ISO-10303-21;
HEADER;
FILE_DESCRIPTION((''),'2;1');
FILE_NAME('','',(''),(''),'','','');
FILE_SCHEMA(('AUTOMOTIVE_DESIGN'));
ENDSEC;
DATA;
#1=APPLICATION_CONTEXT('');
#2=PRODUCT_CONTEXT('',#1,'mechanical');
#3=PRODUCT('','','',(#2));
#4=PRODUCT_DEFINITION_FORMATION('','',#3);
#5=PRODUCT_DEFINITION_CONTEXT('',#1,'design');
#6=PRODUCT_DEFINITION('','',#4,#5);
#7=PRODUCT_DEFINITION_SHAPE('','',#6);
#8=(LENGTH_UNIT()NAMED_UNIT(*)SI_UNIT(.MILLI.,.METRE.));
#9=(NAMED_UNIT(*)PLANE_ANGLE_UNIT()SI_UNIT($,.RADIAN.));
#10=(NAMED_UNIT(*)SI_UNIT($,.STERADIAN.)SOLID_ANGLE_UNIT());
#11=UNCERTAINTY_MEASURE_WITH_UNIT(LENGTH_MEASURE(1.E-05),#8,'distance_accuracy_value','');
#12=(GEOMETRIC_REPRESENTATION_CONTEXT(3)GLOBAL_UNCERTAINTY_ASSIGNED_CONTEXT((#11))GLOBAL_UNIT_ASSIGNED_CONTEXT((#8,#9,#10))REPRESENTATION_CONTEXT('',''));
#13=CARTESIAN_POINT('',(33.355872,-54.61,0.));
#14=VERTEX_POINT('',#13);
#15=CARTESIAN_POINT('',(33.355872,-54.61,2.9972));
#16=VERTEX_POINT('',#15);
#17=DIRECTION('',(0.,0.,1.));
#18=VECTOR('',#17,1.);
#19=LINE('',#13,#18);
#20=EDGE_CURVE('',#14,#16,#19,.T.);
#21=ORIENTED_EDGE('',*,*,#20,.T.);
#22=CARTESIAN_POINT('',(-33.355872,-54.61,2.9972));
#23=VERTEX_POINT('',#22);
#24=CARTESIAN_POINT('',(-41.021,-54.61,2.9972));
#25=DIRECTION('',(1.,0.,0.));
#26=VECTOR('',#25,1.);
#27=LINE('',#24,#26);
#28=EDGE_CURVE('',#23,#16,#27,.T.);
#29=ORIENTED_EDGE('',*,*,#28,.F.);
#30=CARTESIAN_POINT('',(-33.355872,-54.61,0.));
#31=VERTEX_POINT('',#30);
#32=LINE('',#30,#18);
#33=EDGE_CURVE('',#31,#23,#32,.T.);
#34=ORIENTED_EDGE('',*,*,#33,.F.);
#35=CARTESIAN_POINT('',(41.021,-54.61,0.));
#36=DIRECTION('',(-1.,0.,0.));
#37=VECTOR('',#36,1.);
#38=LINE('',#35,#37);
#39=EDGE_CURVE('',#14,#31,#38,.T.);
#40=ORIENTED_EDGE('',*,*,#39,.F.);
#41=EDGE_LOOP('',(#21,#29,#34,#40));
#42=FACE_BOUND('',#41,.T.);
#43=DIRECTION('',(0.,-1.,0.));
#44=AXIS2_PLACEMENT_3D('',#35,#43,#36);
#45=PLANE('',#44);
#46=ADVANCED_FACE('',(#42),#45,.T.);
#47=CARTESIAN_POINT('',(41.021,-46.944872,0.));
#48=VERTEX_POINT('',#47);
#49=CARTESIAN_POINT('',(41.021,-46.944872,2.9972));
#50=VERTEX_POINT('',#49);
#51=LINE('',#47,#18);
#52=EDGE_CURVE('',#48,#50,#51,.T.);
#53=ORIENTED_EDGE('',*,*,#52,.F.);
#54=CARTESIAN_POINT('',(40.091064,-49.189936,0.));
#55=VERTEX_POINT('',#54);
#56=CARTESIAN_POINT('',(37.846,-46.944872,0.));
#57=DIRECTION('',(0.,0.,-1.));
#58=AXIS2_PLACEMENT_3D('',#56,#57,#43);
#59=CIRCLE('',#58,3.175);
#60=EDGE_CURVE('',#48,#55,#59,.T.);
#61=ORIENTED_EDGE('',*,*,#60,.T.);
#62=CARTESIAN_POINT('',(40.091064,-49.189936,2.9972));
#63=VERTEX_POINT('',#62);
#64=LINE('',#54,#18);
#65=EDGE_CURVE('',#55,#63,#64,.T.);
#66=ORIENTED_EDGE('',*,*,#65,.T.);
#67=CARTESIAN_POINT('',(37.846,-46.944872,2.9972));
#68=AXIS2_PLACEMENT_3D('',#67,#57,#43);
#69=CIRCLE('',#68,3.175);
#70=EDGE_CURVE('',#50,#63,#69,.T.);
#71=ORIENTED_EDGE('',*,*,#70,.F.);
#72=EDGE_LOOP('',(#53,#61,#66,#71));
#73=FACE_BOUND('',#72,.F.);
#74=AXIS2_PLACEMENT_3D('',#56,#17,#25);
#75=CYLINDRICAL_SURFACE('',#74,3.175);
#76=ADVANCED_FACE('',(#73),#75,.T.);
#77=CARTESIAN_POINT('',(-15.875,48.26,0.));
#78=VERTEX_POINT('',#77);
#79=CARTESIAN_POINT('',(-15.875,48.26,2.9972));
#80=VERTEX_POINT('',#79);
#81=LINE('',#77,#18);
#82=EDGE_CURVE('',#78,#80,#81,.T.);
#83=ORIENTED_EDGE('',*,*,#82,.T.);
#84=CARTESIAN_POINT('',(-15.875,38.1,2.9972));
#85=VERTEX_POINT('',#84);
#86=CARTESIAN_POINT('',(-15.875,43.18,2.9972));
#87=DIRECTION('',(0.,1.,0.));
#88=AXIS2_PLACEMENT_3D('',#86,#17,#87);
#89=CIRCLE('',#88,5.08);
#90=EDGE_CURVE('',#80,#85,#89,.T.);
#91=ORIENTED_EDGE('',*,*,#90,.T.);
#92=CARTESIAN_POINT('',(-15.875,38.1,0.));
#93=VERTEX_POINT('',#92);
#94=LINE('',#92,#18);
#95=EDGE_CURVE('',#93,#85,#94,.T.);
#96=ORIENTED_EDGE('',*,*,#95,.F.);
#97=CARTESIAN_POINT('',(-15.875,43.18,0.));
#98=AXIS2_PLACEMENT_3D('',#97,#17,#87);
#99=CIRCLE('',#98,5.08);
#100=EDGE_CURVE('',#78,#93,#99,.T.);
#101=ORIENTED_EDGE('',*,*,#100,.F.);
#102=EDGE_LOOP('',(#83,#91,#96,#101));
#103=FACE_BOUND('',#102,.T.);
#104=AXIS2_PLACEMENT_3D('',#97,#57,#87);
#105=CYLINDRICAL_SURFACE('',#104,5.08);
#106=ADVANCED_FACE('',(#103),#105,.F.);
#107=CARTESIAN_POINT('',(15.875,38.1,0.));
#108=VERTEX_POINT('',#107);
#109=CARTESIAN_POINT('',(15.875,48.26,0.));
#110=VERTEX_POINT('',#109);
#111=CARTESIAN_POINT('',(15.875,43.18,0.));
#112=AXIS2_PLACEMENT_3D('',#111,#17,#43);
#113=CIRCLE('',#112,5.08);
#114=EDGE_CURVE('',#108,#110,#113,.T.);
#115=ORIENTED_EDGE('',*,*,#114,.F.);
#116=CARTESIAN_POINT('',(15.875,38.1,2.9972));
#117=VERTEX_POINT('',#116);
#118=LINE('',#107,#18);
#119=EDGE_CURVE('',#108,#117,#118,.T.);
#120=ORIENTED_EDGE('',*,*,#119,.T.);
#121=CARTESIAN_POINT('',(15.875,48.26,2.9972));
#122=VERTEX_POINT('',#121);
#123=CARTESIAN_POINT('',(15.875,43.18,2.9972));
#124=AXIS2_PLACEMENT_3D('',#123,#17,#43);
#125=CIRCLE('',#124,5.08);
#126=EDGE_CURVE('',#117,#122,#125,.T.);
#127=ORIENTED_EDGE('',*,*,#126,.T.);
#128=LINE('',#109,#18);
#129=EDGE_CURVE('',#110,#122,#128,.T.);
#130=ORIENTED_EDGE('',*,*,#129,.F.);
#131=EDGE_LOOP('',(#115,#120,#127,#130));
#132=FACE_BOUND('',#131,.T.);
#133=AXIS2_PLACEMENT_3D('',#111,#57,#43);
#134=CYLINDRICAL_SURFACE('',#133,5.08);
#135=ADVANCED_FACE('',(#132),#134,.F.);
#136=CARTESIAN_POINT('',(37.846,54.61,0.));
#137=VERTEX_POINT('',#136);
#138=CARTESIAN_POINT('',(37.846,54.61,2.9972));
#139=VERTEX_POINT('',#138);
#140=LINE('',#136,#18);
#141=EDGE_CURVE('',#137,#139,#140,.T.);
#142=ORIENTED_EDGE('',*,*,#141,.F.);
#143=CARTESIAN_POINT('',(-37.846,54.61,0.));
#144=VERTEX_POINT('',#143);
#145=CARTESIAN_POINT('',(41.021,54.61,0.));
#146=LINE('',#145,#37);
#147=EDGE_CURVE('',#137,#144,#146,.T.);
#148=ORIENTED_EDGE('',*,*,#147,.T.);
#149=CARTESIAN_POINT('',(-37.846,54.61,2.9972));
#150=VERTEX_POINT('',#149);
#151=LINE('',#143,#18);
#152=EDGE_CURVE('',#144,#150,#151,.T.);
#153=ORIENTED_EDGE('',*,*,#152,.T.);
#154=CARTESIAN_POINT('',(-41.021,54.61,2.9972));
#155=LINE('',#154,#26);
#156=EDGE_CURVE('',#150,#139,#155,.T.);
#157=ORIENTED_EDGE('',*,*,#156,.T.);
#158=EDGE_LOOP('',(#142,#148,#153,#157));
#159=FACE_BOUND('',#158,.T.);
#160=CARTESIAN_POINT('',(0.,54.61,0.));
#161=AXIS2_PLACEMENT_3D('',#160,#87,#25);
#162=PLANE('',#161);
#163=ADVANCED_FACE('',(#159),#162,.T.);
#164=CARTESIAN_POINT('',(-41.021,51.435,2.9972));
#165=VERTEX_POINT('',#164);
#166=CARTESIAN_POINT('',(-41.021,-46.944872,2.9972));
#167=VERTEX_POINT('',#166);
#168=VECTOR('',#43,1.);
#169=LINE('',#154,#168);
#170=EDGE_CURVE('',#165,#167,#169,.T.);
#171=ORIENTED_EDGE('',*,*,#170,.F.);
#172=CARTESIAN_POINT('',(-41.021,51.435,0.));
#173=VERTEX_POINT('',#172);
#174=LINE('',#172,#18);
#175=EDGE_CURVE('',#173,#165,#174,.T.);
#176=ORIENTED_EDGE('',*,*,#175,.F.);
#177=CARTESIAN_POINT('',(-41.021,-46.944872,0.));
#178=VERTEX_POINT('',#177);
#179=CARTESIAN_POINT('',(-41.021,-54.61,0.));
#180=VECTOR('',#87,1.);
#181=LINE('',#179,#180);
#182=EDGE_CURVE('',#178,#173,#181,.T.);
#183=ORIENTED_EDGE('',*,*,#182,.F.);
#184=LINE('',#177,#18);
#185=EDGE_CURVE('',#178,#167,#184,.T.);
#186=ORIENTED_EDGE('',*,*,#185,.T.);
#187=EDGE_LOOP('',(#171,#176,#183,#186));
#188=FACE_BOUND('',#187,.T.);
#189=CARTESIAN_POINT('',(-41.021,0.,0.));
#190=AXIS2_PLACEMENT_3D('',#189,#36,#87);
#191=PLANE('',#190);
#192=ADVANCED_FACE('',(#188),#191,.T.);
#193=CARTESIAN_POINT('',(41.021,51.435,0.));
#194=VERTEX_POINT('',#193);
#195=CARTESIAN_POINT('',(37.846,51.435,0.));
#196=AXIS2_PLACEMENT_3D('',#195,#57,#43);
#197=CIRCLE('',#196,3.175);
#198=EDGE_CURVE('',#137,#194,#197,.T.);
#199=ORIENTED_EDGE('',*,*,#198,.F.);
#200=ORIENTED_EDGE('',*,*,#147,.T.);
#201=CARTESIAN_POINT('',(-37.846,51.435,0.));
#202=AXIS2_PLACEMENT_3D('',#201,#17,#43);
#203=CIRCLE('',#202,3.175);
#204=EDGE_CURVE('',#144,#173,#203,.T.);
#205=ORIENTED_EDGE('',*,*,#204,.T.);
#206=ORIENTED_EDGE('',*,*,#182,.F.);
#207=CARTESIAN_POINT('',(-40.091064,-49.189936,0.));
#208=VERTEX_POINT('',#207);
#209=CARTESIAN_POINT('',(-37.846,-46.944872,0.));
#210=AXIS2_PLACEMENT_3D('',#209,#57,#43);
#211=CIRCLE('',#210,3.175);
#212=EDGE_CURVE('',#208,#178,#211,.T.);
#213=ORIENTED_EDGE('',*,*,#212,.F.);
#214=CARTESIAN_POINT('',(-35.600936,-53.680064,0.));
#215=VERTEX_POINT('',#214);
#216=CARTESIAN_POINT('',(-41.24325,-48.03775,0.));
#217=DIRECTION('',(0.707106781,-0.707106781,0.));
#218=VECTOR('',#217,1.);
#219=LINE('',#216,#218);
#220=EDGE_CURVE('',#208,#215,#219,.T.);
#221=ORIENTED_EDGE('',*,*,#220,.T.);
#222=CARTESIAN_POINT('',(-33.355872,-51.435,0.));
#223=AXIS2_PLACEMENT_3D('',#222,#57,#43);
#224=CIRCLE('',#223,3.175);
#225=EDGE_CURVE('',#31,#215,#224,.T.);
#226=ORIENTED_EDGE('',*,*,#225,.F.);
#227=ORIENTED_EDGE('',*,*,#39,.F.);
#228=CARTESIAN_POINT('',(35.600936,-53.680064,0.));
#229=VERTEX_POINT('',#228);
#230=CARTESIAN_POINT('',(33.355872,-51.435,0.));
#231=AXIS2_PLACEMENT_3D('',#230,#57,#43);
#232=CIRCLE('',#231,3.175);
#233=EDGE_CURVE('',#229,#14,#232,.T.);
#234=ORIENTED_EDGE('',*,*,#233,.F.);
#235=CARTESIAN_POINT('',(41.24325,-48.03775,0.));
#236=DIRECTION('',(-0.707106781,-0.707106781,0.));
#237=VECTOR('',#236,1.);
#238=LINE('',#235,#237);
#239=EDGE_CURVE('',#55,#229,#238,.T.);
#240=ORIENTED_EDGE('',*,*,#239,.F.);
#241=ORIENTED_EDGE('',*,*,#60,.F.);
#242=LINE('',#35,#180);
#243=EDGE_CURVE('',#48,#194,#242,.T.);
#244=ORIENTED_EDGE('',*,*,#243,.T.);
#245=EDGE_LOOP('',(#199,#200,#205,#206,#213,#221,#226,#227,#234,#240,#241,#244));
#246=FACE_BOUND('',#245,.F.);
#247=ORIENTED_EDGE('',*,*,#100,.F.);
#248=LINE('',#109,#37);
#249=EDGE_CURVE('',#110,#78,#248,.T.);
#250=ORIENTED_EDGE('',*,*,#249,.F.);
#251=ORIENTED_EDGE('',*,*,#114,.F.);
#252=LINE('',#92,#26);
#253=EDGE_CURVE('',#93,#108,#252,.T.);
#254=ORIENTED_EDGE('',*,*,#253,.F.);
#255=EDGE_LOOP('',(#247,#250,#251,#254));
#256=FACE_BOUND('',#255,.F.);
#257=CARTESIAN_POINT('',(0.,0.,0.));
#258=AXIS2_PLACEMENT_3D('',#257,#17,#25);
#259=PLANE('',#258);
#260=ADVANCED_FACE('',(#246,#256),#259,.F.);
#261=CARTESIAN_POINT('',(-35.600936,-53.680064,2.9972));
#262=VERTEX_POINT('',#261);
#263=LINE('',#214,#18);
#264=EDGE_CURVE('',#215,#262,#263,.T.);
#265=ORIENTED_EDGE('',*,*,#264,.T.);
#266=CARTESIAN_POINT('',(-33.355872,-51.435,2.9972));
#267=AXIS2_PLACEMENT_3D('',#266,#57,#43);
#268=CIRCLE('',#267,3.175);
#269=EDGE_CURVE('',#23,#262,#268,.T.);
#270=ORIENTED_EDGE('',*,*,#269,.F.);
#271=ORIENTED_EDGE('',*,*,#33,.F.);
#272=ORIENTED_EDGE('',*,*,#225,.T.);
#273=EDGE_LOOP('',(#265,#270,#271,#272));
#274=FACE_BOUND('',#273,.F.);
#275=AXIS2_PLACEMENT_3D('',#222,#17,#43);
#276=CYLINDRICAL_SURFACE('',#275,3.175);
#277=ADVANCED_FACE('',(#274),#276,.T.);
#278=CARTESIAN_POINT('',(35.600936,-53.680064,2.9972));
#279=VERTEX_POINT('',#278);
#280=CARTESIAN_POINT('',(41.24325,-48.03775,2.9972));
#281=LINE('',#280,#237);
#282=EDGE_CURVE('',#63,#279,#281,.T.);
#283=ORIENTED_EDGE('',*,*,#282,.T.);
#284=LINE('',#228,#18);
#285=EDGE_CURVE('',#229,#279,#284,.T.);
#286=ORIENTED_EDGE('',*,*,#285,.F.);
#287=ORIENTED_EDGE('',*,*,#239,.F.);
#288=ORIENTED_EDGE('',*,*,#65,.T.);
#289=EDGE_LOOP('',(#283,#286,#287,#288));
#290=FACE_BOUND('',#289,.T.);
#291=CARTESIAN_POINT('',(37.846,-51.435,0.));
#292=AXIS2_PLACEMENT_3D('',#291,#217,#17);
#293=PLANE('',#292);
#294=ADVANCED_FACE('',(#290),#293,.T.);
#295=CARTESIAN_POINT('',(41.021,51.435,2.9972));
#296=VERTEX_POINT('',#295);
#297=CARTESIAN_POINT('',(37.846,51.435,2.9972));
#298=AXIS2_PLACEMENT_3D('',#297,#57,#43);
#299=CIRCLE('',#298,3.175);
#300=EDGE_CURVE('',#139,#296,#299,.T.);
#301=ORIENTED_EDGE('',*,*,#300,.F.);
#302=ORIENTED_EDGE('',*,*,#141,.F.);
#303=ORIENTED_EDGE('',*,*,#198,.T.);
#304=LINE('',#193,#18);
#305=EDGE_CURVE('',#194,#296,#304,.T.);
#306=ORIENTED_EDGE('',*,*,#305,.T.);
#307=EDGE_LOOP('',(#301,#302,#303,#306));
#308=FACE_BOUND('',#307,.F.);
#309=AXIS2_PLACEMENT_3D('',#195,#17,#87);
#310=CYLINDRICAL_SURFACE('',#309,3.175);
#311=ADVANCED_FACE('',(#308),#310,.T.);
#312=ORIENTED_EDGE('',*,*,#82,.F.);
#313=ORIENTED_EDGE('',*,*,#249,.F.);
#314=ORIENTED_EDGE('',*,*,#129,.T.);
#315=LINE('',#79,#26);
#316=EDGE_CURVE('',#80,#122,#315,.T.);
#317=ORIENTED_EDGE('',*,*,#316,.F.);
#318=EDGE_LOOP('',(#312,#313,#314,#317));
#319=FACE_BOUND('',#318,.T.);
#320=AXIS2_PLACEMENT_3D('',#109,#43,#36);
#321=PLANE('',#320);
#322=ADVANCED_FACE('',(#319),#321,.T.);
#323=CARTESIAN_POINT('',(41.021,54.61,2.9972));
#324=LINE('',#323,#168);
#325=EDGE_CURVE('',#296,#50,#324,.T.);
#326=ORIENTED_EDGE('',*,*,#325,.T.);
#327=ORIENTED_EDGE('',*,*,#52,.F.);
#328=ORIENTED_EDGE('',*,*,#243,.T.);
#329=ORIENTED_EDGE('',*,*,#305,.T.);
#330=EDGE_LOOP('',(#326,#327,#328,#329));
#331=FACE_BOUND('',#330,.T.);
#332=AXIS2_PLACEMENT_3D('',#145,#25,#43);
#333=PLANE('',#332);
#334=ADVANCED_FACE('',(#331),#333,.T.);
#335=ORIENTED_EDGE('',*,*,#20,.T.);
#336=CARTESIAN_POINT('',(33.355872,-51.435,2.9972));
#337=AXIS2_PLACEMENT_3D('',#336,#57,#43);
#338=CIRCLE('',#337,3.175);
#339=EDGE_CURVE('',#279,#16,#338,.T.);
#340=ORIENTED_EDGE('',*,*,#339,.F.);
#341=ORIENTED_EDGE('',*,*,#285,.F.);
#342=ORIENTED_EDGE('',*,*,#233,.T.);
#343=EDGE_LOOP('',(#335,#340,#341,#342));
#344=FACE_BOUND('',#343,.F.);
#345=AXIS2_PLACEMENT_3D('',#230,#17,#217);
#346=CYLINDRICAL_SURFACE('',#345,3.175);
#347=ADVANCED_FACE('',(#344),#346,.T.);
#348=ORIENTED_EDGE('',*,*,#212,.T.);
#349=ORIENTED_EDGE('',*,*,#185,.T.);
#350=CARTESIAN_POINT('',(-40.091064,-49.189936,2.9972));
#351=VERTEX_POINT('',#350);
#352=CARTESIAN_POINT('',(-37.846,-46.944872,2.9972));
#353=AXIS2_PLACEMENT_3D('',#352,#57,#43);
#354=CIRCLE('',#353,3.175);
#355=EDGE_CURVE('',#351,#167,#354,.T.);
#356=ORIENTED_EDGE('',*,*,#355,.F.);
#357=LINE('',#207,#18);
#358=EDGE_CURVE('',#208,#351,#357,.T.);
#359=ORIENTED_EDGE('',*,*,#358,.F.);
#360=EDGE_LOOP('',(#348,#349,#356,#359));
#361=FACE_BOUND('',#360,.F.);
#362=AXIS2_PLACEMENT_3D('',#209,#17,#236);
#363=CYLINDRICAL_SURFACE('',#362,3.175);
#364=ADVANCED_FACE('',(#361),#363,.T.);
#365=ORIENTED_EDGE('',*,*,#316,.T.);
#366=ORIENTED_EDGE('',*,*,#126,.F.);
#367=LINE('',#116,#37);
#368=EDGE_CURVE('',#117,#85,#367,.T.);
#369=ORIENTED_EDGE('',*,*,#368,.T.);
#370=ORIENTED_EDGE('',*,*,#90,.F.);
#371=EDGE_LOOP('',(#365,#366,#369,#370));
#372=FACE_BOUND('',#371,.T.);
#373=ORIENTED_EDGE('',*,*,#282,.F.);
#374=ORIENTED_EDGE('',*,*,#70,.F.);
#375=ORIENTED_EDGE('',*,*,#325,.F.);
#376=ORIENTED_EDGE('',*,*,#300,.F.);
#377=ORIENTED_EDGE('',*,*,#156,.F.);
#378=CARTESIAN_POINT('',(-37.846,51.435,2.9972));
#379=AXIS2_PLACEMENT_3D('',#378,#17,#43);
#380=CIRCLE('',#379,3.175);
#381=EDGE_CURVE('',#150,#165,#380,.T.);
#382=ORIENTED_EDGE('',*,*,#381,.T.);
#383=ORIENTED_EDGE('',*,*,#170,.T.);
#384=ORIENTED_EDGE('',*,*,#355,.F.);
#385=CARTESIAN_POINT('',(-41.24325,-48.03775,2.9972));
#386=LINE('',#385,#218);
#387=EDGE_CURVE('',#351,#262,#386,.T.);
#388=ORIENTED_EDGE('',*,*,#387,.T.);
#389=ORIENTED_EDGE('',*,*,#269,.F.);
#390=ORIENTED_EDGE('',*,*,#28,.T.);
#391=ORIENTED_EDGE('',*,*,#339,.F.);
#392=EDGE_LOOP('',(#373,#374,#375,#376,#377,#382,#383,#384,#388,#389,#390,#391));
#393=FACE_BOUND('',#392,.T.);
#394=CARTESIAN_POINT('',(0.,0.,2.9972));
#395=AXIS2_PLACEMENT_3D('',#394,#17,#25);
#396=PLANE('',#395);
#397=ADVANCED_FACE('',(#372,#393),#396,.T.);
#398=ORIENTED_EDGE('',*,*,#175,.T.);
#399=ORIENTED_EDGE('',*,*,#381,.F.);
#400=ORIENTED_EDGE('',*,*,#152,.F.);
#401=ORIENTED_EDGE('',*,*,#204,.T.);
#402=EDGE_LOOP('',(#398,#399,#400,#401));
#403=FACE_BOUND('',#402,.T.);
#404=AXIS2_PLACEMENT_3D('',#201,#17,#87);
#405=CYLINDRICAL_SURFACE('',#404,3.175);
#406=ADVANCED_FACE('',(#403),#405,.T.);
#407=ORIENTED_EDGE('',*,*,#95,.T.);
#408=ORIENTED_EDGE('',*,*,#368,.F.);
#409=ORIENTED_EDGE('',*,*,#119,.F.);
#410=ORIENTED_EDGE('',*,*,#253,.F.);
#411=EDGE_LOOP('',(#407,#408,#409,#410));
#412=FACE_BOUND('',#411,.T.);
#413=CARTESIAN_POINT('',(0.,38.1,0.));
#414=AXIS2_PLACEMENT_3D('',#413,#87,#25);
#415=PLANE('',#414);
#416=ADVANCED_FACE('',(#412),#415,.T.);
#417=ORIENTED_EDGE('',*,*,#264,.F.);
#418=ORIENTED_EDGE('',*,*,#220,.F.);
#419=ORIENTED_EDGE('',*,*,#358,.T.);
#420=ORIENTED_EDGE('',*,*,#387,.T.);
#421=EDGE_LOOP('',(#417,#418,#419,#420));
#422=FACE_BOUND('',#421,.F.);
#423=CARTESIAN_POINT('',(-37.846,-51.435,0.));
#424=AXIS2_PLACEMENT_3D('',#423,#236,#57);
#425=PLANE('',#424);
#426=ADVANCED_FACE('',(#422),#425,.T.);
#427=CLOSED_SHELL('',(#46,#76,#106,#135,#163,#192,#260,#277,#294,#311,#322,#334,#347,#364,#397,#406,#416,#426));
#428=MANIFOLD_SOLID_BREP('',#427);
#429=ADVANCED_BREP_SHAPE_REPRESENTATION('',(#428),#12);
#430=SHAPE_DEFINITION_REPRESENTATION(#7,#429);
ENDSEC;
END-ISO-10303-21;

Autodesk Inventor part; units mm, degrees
ref_plane "YZ Plane" through (0, 0, 0) normal (1, 0, 0) x (0, 1, 0)
ref_plane "XZ Plane" through (0, 0, 0) normal (0, 1, 0) x (-1, 0, 0)
ref_plane "XY Plane" through (0, 0, 0) normal (0, 0, 1) x (1, 0, 0)
sketch "Sketch1" plane through (0, 0, 0) normal (0, 0, 1) x (1, 0, 0)
  line L0 (0, 76.454) -> (0, -76.454) projected
  line L1 (-57.4294, 0) -> (57.4294, 0) projected
  line L2 (41.021, -54.61) -> (-41.021, -54.61)
  line L3 (-41.021, -54.61) -> (-41.021, 54.61)
  line L4 (-41.021, 54.61) -> (41.021, 54.61)
  line L5 (41.021, 54.61) -> (41.021, -54.61)
  line L6 (41.021, -54.61) -> (-41.021, 54.61) construction
  line L7 (-41.021, -54.61) -> (41.021, 54.61) construction
  line L8 (15.875, 43.18) -> (-15.875, 43.18) construction
  line L9 (15.875, 48.26) -> (-15.875, 48.26)
  line L10 (-15.875, 38.1) -> (15.875, 38.1)
  arc A0 (15.875, 38.1) -> (15.875, 48.26) centre (15.875, 43.18) ccw
  arc A1 (-15.875, 48.26) -> (-15.875, 38.1) centre (-15.875, 43.18) ccw
  point P0 (0, 0)
  point P1 (0, 43.18)
  dimension "d0" = 82.042
  dimension "d1" = 109.22
  dimension "d4" = 31.75
  dimension "d5" = 6.35
  dimension "d6" = 5.08
extrude "Extrusion1" add sketch "Sketch1" along normal blind 2.9972 contours L4 L5 L1 L0 L10 A0 L9 | L0 L9 A1 L10 L1 L3 L4 | L1 L0 L2 L3 | L5 L2 L0 L1
fillet "Fillet1" radius 3.175 2 edges at (-41.021, 54.61, 1.4986) (41.021, 54.61, 1.4986)
chamfer "Chamfer1" distance 6.35 angle 45 2 edges at (41.021, -54.61, 1.4986) (-41.021, -54.61, 1.4986)
fillet "Fillet2" radius 3.175 4 edges at (-41.021, -48.26, 1.4986) (-34.671, -54.61, 1.4986) (34.671, -54.61, 1.4986) (41.021, -48.26, 1.4986)
properties part number "J010355" material "ACRYLIC, CLEAR"
